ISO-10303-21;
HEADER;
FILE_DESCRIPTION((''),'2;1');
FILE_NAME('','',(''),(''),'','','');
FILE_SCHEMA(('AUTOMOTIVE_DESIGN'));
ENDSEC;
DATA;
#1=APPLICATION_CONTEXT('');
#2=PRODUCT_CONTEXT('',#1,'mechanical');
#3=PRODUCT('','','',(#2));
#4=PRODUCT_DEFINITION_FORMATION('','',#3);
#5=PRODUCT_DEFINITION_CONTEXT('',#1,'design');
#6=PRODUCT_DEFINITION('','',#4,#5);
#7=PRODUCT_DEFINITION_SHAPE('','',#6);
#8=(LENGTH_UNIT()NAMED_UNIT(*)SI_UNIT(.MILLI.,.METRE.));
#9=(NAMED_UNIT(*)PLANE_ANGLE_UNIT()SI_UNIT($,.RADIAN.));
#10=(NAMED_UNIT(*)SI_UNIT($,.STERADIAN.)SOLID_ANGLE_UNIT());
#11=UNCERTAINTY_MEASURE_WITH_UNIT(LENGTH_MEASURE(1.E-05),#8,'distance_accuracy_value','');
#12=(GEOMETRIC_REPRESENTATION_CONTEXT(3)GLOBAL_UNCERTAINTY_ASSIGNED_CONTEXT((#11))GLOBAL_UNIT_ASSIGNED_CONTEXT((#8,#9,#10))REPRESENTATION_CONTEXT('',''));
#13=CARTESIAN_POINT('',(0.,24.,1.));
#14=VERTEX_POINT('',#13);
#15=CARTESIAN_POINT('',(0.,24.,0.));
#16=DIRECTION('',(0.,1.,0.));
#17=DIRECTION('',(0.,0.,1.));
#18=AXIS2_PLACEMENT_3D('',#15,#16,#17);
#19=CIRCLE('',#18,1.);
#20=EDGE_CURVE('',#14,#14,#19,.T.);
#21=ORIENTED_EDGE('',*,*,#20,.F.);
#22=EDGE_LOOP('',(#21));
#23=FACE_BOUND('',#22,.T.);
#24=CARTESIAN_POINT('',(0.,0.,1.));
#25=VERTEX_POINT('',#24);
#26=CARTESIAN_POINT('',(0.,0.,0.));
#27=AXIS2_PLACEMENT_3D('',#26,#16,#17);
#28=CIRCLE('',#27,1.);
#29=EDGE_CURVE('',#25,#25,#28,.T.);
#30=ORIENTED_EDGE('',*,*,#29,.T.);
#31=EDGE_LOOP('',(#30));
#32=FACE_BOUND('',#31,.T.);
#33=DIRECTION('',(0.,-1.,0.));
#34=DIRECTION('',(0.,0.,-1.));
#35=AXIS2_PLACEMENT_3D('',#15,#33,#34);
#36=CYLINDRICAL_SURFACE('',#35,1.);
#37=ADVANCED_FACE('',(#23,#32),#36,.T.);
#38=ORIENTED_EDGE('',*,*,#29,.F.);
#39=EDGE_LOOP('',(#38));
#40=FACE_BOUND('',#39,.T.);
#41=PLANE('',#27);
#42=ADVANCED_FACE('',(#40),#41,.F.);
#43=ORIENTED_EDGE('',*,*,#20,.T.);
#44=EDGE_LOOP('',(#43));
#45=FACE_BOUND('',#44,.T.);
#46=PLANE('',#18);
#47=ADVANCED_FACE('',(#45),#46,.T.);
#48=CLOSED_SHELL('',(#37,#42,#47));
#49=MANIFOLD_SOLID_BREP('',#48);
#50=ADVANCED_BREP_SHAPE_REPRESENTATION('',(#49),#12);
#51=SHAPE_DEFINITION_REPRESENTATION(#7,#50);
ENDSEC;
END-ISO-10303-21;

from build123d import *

# Parameters (mm, degrees)
SKETCH1_R           = 1
BOSS_EXTRUDE1_DEPTH = 24


with BuildPart() as part:
    # Sketch1 → Boss-Extrude1 (new body)
    with BuildSketch(Plane(origin=(0, 0, 0), x_dir=(1, 0, 0), z_dir=(0, 1, 0))):
        with Locations(Location((0, 0, 0), (0, 0, 270))):
            Circle(SKETCH1_R)
    extrude(amount=BOSS_EXTRUDE1_DEPTH)


solid = part.part
